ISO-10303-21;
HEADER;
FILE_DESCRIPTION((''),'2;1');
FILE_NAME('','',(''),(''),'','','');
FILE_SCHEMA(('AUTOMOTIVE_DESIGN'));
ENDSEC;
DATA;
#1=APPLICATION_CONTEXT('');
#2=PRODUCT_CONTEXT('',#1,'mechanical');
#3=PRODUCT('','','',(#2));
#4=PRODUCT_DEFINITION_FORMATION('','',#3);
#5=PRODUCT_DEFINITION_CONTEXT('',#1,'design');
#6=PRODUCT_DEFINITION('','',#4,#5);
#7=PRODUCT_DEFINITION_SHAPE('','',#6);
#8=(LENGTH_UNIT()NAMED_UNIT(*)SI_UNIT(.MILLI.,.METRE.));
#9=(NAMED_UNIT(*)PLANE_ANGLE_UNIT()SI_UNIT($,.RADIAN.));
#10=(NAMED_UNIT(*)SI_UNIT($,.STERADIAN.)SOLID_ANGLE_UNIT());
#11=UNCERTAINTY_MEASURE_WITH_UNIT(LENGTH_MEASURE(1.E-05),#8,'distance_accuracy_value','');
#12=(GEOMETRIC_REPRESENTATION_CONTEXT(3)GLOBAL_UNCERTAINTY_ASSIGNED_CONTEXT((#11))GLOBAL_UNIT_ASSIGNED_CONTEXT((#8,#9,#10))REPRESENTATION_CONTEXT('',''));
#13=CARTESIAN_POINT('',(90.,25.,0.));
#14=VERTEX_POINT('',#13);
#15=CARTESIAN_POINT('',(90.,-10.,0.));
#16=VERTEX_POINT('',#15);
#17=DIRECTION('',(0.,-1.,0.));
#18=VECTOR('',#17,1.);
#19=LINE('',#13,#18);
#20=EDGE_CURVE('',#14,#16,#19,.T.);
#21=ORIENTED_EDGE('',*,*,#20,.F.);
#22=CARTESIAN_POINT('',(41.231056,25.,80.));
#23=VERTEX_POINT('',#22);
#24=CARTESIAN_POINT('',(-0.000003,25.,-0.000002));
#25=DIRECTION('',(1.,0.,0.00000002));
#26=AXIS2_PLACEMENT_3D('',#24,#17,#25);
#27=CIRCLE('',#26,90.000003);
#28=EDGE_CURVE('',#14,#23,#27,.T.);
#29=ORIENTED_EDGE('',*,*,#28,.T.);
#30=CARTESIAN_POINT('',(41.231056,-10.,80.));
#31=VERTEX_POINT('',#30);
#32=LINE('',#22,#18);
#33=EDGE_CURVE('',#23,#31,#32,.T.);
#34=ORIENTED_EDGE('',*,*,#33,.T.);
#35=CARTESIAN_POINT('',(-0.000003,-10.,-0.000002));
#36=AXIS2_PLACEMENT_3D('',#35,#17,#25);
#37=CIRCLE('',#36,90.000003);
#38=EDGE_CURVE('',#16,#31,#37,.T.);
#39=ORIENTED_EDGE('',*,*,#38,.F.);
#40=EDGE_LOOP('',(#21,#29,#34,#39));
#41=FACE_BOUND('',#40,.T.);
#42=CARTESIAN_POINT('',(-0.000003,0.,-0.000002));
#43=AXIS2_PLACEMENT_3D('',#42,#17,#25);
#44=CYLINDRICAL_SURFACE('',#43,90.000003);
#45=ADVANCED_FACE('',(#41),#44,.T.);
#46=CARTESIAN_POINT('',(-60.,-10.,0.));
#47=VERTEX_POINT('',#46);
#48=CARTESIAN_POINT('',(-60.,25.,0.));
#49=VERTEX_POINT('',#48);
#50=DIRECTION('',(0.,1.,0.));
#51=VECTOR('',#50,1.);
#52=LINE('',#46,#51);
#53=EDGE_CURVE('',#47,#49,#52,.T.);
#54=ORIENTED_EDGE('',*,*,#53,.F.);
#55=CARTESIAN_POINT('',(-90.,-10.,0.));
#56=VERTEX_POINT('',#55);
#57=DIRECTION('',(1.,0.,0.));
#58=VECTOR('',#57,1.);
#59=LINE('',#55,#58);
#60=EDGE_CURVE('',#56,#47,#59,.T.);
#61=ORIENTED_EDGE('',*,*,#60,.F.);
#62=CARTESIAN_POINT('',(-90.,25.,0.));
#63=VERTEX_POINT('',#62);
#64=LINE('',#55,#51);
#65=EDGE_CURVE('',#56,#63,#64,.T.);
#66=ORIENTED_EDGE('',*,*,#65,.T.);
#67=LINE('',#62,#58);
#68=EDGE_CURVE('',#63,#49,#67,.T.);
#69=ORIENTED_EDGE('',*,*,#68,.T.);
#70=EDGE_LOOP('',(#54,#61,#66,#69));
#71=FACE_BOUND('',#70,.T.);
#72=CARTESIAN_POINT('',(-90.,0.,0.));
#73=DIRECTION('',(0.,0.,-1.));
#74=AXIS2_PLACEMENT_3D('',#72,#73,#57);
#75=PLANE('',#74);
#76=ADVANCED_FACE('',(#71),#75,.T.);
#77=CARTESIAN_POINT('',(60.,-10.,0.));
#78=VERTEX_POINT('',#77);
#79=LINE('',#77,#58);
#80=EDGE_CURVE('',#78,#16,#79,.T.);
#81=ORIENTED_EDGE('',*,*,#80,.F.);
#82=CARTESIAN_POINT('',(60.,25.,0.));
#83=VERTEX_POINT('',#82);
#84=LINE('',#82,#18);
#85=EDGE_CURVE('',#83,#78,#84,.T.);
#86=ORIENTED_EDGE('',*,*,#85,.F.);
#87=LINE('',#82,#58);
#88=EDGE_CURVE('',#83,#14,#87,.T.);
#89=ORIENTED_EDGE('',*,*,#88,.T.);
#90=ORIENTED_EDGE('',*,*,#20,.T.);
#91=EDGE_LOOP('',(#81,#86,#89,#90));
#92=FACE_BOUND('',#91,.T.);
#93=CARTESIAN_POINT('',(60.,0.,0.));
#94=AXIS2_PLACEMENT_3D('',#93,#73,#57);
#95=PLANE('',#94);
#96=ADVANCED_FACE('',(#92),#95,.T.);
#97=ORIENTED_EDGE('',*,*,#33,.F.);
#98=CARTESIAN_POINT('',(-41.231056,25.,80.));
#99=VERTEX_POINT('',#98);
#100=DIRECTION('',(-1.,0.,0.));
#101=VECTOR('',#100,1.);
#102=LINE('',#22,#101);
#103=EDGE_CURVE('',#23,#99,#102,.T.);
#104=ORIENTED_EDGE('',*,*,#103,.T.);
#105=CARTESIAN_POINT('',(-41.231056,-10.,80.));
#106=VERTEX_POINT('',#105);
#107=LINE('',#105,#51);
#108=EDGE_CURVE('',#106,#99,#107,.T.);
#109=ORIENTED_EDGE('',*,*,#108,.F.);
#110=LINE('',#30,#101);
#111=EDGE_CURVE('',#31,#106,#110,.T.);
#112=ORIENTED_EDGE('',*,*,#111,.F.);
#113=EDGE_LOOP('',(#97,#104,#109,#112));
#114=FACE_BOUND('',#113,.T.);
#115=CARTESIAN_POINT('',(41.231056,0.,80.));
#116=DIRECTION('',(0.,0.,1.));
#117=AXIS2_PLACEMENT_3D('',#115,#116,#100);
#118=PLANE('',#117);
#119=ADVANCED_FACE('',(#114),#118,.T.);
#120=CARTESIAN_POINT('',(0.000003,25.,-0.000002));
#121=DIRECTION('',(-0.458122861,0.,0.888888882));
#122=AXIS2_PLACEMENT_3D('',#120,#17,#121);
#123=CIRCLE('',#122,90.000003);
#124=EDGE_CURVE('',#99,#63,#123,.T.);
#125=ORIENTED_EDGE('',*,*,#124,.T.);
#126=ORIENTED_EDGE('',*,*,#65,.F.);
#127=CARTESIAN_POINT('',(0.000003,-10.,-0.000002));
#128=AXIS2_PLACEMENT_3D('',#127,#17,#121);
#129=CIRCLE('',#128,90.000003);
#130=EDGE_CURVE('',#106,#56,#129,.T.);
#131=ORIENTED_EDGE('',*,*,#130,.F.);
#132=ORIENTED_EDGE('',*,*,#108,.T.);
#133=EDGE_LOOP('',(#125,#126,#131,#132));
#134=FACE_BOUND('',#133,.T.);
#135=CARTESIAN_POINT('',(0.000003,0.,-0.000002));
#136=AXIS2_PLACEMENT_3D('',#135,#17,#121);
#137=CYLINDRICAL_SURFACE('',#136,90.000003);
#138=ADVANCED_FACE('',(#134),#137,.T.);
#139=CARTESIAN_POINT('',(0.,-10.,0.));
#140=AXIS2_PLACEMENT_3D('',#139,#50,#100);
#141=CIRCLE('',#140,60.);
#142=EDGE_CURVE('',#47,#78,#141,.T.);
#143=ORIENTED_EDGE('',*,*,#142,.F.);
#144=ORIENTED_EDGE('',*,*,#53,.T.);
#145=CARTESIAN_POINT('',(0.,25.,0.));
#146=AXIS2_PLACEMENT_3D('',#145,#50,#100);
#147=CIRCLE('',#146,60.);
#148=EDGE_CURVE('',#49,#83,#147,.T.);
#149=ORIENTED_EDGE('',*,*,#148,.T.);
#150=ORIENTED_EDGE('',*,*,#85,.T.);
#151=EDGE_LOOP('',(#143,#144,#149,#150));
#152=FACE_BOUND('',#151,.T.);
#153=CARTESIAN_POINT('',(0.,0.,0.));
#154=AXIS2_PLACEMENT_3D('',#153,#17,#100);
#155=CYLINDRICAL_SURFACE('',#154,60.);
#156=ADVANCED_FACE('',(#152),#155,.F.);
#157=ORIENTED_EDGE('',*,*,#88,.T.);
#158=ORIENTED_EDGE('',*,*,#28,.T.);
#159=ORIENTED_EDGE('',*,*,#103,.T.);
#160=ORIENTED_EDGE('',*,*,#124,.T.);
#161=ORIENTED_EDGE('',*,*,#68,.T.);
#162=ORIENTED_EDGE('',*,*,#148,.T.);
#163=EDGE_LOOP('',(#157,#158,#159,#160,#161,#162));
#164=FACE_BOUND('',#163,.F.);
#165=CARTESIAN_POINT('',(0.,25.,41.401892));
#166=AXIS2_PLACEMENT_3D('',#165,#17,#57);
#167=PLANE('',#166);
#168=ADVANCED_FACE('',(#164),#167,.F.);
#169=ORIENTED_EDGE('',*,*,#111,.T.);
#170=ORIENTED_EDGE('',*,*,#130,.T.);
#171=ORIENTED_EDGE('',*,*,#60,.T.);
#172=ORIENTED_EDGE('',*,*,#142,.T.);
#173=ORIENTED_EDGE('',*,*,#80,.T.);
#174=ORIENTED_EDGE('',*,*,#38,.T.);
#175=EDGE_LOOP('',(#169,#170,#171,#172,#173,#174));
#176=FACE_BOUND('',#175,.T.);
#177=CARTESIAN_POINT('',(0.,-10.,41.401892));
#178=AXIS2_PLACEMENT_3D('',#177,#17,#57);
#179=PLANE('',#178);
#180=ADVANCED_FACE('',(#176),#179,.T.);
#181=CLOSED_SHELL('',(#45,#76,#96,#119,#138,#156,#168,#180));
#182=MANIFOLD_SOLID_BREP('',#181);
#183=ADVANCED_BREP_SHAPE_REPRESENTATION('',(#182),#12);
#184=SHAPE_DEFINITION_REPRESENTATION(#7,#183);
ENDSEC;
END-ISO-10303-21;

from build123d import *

# Parameters (mm, degrees)
F1_DEPTH      = 10
F1_DEPTH_BACK = 25


with BuildPart() as f1:
    # F0 (on Front) → F1 (new body, two sides)
    with BuildSketch(Plane.XZ) as f1_sk:
        with BuildLine():
            ThreePointArc((-60, 0), (0, 60), (60, 0))
            Line((60, 0), (90, 0))
            ThreePointArc((90, 0), (76.846584, 46.846584), (41.231056, 80))
            Line((41.231056, 80), (-41.231056, 80))
            ThreePointArc((-41.231056, 80), (-76.846584, 46.846584), (-90, 0))
            Line((-90, 0), (-60, 0))
        make_face()
    extrude(amount=F1_DEPTH)
    extrude(f1_sk.sketch, amount=-F1_DEPTH_BACK)


solid = f1.part
